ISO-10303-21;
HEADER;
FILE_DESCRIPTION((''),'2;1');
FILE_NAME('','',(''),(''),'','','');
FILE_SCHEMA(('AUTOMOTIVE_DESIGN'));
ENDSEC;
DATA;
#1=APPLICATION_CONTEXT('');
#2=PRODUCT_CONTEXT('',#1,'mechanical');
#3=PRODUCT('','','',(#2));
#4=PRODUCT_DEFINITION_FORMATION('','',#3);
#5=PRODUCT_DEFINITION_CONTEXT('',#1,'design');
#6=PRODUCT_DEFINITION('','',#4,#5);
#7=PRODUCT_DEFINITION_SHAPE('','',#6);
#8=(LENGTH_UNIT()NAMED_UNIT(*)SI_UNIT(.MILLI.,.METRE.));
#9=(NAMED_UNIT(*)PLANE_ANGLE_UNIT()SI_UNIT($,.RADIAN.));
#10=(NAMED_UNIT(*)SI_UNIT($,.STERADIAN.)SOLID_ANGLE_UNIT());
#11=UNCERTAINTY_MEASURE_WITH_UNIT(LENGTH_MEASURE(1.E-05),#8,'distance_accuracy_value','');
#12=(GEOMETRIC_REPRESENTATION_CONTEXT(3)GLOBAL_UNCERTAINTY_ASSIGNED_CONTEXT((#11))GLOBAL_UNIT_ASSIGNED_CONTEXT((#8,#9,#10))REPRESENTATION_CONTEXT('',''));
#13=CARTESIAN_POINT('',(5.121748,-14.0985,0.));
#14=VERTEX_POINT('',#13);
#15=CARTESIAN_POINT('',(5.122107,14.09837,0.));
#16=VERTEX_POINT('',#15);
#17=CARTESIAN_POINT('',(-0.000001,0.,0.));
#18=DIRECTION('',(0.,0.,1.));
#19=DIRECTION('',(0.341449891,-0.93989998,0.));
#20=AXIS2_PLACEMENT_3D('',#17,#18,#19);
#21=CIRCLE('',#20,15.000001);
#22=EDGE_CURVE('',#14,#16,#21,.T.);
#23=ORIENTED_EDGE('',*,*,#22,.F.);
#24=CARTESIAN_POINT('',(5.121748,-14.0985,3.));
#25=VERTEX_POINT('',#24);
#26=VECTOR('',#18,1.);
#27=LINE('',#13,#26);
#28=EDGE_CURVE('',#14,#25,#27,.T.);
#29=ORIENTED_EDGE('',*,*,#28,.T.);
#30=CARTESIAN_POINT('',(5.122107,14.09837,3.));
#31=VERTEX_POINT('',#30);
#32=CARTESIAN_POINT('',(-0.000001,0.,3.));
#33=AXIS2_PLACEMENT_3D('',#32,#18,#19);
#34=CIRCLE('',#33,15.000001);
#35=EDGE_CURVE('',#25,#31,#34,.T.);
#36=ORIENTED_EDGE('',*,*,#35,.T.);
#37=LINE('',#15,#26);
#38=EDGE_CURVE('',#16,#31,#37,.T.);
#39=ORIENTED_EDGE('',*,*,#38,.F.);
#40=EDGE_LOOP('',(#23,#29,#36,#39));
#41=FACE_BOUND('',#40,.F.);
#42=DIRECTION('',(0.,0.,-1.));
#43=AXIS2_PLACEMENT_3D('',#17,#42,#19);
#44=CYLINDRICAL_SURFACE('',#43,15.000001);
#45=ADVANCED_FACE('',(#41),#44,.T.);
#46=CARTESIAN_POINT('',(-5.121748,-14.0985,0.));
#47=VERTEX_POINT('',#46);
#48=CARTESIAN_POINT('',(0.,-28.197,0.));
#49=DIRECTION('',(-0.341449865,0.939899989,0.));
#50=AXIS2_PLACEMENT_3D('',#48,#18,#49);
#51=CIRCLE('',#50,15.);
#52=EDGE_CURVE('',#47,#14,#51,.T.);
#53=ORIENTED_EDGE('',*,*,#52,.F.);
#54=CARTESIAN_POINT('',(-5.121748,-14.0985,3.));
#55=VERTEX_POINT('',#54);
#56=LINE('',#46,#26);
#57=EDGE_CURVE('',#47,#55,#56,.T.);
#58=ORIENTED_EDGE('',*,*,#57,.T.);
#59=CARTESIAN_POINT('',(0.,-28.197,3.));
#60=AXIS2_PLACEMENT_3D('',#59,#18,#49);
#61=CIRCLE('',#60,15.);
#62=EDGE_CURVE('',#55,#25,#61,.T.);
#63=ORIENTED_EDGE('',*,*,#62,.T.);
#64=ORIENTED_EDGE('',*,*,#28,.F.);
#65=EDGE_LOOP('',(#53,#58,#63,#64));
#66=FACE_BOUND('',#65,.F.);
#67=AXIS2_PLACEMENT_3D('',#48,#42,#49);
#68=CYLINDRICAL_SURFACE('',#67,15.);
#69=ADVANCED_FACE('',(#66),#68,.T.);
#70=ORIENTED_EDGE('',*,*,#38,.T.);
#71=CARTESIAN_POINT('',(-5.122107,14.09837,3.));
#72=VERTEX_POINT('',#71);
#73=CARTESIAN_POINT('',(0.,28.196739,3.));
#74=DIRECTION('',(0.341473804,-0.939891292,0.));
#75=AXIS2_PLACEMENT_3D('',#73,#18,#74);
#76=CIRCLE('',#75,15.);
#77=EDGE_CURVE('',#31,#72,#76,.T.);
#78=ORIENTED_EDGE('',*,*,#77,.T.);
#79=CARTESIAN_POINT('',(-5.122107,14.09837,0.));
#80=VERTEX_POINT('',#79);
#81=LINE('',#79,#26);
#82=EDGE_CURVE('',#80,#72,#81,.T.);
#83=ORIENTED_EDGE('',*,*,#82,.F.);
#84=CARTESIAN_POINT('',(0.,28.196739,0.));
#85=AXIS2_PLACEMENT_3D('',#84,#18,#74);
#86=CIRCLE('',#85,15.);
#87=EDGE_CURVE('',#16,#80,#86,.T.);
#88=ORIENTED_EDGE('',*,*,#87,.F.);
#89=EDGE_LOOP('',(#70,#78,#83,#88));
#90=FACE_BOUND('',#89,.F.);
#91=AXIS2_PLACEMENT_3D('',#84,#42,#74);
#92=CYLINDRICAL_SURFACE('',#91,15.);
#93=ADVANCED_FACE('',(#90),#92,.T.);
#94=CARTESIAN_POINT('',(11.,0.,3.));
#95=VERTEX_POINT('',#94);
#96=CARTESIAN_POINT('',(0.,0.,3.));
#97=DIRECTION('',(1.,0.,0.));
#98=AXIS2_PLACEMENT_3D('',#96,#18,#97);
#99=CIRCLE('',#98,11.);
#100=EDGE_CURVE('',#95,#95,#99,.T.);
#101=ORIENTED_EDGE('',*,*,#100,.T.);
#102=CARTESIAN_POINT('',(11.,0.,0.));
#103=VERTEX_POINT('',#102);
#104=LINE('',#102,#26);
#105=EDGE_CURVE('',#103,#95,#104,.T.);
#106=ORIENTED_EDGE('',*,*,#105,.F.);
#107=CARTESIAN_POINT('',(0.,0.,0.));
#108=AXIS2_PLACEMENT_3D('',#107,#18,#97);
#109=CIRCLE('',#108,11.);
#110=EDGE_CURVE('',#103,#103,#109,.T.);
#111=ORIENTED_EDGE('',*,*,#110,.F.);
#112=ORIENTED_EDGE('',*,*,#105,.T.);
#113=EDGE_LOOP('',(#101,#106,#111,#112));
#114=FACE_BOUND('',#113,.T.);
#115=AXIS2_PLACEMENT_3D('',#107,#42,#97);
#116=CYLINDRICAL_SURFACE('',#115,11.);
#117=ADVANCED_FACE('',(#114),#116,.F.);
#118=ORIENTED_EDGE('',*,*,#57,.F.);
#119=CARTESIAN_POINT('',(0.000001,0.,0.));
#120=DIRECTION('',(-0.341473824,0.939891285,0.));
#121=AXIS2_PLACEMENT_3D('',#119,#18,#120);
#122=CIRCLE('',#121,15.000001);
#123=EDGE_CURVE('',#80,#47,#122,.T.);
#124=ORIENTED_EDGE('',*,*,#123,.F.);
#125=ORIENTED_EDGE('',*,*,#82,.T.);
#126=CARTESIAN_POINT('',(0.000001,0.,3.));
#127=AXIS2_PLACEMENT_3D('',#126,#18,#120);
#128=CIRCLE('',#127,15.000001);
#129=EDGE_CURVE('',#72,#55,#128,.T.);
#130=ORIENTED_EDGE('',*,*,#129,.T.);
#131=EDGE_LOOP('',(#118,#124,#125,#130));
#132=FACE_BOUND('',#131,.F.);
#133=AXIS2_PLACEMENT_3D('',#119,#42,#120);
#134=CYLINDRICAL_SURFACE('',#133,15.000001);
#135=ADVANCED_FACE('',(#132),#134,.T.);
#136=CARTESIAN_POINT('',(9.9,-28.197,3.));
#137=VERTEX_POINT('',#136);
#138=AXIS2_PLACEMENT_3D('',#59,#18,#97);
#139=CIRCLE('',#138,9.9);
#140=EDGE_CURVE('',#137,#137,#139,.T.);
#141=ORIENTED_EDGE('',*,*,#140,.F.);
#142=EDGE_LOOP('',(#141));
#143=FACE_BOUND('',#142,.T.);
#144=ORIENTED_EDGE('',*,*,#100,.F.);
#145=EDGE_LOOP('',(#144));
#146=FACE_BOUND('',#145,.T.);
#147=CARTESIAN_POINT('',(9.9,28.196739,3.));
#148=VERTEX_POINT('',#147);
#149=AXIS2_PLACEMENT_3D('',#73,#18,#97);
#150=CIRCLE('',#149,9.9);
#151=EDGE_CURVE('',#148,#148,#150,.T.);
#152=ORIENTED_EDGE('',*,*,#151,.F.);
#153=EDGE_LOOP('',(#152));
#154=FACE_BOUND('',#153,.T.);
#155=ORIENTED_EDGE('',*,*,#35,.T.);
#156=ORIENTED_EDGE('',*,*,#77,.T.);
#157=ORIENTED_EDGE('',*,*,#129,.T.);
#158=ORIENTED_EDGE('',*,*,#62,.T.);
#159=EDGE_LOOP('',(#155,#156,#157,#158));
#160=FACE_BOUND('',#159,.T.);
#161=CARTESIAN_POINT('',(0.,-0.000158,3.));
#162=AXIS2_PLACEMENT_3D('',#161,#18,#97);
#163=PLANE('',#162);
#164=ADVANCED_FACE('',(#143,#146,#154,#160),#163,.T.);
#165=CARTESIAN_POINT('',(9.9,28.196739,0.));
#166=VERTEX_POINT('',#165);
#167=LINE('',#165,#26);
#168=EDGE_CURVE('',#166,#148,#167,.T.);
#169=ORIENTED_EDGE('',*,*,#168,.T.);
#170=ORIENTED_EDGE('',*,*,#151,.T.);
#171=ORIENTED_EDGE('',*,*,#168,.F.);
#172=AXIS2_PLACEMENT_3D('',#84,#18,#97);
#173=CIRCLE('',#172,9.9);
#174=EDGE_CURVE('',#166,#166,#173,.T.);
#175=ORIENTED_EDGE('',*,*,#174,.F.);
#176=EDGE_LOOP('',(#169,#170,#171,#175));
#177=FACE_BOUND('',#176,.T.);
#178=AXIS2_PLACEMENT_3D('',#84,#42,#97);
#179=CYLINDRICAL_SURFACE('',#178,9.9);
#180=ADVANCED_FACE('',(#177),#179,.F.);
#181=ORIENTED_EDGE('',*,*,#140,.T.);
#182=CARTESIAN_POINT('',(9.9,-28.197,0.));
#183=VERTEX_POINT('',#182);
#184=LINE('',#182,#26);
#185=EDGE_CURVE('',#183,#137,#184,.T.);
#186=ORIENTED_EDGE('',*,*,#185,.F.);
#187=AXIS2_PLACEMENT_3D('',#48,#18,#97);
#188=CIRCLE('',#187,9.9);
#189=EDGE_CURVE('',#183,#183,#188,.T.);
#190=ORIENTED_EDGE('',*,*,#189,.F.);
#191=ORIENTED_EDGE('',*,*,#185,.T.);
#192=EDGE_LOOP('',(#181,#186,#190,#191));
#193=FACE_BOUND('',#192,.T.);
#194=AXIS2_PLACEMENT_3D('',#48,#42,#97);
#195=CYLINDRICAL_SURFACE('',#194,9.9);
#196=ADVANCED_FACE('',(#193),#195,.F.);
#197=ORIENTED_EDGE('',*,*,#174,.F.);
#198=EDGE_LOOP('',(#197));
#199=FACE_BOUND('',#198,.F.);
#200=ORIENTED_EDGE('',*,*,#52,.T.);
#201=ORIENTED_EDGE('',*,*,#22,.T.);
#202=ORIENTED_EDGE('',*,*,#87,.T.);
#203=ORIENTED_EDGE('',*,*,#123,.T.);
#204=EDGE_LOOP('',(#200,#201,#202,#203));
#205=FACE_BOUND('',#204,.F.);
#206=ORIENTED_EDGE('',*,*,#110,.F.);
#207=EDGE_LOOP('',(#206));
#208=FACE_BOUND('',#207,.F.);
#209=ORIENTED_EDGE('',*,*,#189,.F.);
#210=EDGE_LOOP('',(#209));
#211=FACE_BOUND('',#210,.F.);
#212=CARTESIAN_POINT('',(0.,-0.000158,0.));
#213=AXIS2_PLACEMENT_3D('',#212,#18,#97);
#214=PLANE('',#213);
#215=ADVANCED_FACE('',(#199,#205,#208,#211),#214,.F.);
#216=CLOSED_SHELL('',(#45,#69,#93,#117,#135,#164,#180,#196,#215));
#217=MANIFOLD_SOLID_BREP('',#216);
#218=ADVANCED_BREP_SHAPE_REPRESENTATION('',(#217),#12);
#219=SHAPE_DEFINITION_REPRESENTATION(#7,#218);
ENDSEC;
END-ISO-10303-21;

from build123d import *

# Parameters (mm, degrees)
F0_R     = 9.9
F0_R_2   = 11
F1_DEPTH = 3


with BuildPart() as f1:
    # F0 (on Top) → F1 (new body)
    with BuildSketch(Plane.XY):
        with BuildLine():
            ThreePointArc((5.122107, 14.09837), (0, 43.196739), (-5.122107, 14.09837))
            ThreePointArc((-5.122107, 14.09837), (-15, -0.000191), (-5.121748, -14.0985))
            ThreePointArc((-5.121748, -14.0985), (0, -43.197), (5.121748, -14.0985))
            ThreePointArc((5.121748, -14.0985), (15, -0.000191), (5.122107, 14.09837))
        make_face()
        with Locations((0, -28.197)):
            Circle(F0_R, mode=Mode.SUBTRACT)
        Circle(F0_R_2, mode=Mode.SUBTRACT)
        with Locations((0, 28.196739)):
            Circle(F0_R, mode=Mode.SUBTRACT)
    extrude(amount=F1_DEPTH)


solid = f1.part
